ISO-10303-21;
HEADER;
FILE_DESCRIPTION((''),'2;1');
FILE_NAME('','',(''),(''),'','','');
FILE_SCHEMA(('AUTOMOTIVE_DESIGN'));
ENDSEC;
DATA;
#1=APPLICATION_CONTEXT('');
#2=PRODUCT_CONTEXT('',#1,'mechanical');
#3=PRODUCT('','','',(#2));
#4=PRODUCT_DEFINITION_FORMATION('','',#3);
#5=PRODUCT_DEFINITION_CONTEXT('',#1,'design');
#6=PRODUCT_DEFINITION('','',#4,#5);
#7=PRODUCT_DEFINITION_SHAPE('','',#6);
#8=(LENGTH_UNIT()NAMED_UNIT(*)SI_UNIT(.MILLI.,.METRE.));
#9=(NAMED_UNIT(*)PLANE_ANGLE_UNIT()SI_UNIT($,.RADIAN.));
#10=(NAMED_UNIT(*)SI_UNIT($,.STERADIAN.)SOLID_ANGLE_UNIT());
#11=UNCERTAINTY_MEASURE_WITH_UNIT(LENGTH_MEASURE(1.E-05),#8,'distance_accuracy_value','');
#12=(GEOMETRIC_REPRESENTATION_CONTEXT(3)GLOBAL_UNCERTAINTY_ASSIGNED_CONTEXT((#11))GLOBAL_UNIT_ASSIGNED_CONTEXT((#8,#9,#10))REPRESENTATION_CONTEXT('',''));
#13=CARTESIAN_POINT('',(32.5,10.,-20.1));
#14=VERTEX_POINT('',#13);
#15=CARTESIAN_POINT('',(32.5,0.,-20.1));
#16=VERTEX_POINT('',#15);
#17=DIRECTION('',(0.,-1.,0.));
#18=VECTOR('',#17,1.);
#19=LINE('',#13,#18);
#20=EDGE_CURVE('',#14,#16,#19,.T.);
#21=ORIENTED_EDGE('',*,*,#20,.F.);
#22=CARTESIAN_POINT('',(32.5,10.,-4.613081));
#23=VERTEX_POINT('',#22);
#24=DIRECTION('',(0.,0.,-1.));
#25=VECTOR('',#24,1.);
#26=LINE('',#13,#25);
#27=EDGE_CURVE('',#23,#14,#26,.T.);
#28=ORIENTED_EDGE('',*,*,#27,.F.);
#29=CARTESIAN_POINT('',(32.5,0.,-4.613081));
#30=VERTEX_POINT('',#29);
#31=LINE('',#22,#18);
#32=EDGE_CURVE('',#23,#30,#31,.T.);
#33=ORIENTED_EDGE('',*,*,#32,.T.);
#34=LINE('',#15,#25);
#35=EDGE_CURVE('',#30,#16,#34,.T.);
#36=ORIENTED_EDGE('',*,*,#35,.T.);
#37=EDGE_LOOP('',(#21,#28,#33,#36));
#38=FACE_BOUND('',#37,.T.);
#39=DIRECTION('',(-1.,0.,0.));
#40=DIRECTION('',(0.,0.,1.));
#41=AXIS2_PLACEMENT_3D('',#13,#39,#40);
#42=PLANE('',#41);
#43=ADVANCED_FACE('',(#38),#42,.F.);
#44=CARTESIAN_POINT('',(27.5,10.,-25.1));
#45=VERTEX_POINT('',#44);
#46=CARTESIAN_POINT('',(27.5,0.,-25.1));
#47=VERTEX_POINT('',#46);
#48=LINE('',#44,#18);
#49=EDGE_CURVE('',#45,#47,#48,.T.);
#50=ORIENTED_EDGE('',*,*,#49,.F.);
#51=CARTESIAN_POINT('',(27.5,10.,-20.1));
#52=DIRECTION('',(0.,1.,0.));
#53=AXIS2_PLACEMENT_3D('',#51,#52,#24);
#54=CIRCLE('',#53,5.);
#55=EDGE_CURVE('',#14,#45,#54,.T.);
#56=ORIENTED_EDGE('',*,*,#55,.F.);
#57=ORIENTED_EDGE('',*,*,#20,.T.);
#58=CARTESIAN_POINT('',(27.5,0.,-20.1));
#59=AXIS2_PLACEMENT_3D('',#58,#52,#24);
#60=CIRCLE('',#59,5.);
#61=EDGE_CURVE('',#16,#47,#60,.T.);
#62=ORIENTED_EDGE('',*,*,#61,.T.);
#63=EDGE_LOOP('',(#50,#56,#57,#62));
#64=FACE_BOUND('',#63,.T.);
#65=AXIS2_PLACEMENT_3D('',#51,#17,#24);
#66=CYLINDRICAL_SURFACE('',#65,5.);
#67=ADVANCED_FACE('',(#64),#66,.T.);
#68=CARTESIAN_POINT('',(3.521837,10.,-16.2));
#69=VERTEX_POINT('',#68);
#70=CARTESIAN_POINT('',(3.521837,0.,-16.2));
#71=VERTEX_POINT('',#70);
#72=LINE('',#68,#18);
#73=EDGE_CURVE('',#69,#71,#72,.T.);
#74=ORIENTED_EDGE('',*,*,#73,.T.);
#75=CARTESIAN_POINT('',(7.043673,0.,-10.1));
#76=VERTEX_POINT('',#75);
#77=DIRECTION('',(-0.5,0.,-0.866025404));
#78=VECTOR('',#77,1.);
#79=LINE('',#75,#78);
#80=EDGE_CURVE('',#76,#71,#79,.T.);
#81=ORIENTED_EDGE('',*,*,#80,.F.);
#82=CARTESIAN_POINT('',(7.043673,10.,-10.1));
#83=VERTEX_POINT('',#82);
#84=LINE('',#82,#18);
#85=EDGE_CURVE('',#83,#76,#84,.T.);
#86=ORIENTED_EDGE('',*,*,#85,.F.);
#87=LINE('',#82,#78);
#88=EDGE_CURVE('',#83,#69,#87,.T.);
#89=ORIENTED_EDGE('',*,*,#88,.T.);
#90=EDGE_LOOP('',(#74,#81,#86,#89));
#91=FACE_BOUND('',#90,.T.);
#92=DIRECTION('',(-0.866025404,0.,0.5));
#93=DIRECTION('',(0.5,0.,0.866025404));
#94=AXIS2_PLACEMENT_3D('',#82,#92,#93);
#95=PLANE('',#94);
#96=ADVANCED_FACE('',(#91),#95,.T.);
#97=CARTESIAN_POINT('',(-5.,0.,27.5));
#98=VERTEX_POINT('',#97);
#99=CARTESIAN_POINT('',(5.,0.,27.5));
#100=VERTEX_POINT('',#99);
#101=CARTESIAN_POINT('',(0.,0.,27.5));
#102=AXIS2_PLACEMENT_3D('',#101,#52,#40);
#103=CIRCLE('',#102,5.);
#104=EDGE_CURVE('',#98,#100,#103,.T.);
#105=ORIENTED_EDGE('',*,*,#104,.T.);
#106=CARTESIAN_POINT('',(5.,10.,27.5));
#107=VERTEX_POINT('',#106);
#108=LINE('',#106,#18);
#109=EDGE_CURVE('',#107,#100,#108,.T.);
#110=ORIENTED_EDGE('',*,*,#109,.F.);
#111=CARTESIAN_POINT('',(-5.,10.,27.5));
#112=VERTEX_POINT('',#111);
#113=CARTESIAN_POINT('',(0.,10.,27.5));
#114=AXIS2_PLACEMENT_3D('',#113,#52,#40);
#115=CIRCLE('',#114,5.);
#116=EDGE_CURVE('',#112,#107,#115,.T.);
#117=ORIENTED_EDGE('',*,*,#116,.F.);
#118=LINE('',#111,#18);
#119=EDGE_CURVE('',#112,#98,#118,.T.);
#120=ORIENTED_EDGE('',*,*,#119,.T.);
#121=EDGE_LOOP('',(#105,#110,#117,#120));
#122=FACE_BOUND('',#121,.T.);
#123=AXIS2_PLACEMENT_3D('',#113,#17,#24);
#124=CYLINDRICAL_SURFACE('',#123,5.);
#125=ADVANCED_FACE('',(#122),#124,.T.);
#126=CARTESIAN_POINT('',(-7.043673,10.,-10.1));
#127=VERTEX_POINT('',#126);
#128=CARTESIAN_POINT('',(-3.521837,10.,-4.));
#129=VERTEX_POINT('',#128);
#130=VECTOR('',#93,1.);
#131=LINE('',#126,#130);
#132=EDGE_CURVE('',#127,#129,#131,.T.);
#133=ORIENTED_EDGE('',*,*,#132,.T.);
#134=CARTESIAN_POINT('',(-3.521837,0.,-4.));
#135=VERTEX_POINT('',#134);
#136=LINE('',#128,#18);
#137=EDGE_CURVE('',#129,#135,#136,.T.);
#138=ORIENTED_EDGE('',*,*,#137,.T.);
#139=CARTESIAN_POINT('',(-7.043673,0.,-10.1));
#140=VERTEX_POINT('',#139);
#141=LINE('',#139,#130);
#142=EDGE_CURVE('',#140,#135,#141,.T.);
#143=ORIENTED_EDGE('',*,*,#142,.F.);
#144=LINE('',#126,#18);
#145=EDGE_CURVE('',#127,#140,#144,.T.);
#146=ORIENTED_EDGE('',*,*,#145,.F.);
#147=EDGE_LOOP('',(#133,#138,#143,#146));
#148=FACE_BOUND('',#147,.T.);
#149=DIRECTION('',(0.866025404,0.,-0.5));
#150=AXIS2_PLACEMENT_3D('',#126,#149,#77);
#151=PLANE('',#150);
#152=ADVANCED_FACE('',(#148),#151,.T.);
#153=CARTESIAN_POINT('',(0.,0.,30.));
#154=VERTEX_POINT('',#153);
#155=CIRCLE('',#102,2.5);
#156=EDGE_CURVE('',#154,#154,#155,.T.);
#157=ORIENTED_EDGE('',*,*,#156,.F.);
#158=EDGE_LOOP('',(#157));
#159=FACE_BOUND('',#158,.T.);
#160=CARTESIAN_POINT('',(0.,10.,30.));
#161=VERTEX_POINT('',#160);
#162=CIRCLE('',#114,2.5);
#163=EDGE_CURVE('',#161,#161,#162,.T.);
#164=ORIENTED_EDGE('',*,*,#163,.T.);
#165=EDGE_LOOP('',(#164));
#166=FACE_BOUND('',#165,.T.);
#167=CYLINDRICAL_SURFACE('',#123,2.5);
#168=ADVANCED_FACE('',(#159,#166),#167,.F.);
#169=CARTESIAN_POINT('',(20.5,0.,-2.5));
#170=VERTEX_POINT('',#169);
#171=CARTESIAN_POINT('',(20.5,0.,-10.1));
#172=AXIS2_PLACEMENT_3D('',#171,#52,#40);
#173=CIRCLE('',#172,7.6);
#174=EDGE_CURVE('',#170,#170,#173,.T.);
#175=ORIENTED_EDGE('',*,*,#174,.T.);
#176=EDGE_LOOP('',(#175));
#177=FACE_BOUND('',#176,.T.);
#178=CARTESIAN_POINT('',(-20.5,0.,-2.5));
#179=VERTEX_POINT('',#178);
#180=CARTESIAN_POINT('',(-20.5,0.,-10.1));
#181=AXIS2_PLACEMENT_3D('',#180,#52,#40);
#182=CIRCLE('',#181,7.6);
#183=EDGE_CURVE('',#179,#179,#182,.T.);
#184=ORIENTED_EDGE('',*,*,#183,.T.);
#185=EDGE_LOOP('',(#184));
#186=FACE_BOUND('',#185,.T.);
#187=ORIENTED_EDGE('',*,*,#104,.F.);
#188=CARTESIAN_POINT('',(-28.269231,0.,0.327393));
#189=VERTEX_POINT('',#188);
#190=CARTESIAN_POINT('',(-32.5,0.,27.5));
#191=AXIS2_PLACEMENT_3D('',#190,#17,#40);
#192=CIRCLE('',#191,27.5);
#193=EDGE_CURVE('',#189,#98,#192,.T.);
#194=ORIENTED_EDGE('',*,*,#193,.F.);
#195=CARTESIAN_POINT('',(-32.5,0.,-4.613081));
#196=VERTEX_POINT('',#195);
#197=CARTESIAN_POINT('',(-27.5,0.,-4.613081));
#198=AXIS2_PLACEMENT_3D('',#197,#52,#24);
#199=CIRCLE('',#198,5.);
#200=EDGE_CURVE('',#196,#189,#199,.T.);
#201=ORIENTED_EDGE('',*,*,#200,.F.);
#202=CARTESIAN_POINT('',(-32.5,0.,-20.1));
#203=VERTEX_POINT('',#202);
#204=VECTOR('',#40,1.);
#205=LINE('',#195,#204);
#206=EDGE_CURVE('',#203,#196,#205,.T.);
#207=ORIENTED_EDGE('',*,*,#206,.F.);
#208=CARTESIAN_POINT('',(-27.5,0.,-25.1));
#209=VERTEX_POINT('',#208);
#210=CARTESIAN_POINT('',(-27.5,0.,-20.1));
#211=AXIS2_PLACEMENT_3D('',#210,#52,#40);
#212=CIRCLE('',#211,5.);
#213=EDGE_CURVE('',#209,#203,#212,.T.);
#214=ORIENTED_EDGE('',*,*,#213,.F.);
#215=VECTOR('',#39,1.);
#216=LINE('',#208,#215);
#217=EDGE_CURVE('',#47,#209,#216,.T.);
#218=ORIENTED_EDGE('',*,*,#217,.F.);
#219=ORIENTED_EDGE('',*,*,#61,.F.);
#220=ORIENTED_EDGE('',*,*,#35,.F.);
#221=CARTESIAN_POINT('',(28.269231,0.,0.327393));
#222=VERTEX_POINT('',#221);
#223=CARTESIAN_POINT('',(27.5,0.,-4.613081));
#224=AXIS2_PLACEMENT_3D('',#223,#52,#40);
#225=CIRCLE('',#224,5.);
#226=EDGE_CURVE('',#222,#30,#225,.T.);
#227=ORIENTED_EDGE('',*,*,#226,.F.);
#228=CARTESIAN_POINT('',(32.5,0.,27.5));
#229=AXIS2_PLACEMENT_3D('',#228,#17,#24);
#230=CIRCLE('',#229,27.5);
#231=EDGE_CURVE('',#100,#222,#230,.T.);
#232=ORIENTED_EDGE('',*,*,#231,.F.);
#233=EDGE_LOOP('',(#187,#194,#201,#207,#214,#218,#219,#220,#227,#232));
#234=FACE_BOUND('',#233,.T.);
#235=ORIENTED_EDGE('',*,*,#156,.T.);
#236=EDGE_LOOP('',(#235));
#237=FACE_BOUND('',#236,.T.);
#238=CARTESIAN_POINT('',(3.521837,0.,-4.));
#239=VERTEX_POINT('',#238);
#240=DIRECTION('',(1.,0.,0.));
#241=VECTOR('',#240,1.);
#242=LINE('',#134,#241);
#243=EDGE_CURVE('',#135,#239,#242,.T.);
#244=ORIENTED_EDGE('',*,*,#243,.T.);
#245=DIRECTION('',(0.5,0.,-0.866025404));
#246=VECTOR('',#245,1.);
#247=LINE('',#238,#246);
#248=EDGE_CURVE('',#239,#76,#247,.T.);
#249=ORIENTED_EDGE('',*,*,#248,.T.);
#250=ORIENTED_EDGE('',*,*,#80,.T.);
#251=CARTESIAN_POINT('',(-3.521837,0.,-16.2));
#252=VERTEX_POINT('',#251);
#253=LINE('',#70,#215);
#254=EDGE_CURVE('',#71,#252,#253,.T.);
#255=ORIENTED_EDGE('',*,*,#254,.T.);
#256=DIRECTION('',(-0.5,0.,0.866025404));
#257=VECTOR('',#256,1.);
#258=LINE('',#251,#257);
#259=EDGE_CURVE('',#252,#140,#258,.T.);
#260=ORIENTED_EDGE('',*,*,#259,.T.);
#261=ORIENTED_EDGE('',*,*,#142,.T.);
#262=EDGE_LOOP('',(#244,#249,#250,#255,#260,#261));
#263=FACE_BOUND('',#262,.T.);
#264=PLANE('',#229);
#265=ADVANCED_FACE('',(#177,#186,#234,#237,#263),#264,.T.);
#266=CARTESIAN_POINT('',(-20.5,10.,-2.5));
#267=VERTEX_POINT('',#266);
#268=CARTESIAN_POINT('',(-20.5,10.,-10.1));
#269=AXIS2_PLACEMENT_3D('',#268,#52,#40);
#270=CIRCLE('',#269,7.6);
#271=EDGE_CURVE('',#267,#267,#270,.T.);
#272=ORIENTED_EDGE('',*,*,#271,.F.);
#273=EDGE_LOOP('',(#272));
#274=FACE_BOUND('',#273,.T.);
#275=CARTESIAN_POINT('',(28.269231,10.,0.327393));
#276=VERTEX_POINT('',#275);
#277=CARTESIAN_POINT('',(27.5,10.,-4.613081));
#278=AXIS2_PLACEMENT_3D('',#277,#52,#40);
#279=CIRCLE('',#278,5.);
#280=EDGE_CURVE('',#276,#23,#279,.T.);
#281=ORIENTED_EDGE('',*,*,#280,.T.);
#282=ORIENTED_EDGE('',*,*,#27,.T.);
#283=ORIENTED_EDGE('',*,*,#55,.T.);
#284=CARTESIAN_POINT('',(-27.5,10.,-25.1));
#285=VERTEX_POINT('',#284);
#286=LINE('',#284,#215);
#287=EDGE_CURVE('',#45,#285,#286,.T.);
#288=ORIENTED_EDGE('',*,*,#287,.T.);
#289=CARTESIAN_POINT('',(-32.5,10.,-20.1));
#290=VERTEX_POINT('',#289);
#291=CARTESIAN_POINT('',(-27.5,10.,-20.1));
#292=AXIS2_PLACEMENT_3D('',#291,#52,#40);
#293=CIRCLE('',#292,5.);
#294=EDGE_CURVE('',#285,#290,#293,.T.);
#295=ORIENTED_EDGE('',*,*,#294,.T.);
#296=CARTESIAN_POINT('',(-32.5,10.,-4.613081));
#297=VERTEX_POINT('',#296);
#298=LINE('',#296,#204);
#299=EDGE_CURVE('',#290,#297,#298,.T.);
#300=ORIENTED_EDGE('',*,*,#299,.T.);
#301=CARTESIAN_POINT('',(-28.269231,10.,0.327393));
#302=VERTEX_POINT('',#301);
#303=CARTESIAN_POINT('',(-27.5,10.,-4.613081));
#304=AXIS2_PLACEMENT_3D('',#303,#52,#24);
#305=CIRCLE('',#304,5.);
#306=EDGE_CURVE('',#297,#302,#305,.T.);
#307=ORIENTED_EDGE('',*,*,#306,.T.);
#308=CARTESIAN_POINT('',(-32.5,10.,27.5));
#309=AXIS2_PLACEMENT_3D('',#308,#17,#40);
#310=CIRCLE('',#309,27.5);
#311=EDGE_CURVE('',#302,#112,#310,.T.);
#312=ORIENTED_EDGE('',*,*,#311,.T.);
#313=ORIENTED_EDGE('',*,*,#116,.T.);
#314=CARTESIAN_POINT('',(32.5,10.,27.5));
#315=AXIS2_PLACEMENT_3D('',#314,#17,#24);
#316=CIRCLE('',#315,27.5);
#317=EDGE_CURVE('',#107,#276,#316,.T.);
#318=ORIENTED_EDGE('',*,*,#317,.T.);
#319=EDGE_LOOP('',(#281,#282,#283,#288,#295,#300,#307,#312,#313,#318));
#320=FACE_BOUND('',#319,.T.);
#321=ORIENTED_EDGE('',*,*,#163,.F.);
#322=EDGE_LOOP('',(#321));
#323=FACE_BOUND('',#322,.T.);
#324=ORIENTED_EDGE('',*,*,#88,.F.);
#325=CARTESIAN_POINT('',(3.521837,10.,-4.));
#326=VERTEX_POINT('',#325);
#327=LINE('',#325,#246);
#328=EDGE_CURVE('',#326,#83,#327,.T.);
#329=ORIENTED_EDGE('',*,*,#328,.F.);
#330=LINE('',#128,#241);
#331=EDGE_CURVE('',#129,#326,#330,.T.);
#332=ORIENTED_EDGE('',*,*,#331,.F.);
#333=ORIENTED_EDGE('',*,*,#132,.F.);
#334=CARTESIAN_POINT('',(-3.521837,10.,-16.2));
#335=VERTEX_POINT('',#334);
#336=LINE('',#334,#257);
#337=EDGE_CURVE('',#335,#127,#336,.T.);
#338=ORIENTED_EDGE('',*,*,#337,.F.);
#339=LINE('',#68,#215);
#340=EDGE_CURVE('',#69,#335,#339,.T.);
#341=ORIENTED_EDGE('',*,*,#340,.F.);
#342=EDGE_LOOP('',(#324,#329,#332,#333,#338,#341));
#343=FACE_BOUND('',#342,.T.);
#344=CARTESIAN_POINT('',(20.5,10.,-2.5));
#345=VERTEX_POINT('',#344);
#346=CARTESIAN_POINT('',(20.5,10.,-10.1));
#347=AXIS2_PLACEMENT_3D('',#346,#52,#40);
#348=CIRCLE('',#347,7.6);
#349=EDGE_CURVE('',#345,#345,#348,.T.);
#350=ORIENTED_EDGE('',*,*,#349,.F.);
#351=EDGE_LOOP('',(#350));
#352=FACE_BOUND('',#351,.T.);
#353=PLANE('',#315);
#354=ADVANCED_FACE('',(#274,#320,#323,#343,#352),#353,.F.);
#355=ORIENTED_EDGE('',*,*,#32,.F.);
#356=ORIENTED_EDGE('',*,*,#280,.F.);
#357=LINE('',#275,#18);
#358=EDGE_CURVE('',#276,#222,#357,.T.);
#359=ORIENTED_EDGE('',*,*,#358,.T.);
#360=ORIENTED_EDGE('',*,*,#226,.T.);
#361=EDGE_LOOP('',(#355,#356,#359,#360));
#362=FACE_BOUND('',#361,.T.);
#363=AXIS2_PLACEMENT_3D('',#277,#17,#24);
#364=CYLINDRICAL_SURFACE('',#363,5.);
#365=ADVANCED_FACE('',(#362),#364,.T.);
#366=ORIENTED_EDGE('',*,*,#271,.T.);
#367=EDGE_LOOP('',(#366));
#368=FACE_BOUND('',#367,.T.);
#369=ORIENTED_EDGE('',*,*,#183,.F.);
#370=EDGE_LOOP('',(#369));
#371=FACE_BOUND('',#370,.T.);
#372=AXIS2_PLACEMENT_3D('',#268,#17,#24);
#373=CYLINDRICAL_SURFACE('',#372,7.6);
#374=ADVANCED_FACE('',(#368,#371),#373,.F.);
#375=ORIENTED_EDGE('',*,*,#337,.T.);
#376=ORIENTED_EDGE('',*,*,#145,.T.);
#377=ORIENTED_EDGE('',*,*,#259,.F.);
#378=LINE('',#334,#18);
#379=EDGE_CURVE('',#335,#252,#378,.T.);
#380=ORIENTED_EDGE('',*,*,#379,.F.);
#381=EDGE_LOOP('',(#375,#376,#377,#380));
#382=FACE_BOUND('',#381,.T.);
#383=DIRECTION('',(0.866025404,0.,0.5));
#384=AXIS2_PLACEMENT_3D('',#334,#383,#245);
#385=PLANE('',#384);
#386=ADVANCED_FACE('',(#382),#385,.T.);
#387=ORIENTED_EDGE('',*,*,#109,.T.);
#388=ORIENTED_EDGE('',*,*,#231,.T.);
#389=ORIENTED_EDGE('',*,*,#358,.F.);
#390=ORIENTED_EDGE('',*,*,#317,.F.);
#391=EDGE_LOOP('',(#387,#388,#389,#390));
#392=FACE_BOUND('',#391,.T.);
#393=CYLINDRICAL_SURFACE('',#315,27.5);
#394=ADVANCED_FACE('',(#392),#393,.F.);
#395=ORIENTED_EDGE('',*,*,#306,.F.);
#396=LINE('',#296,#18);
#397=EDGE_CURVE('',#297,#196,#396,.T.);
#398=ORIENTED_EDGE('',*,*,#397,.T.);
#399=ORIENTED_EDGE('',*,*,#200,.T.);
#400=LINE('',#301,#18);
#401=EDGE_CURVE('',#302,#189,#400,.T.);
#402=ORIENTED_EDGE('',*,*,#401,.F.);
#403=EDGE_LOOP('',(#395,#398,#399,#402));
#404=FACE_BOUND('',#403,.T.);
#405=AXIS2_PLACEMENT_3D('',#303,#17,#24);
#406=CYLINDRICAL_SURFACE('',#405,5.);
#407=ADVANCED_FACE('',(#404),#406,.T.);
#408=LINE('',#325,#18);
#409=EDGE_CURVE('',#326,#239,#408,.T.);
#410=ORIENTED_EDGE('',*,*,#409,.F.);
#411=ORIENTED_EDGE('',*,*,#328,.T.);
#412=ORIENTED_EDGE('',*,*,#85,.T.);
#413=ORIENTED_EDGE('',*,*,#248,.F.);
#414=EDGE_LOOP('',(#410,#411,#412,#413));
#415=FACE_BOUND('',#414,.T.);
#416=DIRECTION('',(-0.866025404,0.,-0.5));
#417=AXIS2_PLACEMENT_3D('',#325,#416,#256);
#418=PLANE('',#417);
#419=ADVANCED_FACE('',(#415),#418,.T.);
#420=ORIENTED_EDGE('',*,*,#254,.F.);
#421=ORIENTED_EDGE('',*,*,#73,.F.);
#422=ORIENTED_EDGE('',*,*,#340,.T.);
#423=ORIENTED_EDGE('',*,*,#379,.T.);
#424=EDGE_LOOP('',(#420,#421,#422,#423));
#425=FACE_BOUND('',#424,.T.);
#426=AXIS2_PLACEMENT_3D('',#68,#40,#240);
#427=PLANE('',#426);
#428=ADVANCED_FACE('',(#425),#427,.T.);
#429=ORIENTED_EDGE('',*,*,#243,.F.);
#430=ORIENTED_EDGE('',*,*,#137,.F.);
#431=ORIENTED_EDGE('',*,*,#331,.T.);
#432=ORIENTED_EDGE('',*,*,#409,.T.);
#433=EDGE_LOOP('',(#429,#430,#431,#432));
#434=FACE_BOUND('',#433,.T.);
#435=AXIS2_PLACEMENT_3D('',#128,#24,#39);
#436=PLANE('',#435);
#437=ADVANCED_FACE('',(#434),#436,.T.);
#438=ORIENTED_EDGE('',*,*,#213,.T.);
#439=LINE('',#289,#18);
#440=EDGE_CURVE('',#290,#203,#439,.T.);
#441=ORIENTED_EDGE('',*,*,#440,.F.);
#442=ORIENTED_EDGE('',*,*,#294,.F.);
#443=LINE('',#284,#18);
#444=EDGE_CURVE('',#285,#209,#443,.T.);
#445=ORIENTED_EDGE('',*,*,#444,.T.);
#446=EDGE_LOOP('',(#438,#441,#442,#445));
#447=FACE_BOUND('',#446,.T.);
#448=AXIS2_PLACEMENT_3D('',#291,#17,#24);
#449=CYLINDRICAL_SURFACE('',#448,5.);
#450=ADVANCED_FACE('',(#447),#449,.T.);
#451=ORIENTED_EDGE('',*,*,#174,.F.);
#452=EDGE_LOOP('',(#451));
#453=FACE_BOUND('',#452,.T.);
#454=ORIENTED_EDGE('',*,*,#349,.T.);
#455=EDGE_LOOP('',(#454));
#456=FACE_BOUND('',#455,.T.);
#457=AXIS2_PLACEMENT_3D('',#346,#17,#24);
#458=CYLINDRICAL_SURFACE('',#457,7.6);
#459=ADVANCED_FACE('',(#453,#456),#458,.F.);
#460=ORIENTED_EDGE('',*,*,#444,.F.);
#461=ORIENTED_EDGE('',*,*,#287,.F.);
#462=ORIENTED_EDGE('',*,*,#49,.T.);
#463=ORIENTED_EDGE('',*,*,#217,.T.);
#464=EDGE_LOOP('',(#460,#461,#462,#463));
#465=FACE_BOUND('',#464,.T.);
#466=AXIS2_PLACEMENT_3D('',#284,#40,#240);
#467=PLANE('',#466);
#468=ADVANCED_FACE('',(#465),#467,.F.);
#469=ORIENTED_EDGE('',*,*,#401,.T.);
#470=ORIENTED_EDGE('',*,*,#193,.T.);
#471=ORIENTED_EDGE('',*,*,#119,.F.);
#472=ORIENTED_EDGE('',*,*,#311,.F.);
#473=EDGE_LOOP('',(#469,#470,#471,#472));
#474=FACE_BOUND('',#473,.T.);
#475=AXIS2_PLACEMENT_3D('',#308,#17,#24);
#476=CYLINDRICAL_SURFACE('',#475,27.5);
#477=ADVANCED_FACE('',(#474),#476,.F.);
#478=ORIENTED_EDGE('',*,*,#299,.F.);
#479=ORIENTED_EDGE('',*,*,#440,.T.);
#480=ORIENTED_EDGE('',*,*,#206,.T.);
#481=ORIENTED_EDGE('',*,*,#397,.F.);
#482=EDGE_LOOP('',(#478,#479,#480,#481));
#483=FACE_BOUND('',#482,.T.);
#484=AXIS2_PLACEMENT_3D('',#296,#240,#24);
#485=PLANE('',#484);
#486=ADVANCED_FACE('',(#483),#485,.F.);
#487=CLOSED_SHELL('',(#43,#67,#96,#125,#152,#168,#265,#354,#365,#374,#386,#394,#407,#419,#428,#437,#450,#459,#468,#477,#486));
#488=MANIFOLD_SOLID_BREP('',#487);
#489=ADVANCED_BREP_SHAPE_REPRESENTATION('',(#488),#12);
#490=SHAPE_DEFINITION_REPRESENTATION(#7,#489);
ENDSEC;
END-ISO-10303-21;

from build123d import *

# Parameters (mm, degrees)
SKETCH1_R           = 7.6
SKETCH1_R_2         = 2.5
BOSS_EXTRUDE1_DEPTH = 10


with BuildPart() as part:
    # Sketch1 → Boss-Extrude1 (new body)
    with BuildSketch(Plane(origin=(0, 0, 0), x_dir=(1, 0, 0), z_dir=(0, 1, 0))):
        with BuildLine():
            Line((-27.5, 25.1), (27.5, 25.1))
            ThreePointArc((27.5, 25.1), (31.035533906, 23.635533906), (32.5, 20.1))
            Line((32.5, 20.1), (32.5, 4.613081447))
            ThreePointArc((32.5, 4.613081447), (31.297772627, 1.360863269), (28.269230769, -0.327392622))
            ThreePointArc((28.269230769, -0.327392622), (11.612250554, -9.612800021), (5, -27.5))
            ThreePointArc((5, -27.5), (0, -32.5), (-5, -27.5))
            ThreePointArc((-5, -27.5), (-11.612250554, -9.612800021), (-28.269230769, -0.327392622))
            ThreePointArc((-28.269230769, -0.327392622), (-31.297772627, 1.360863269), (-32.5, 4.613081447))
            Line((-32.5, 4.613081447), (-32.5, 20.1))
            ThreePointArc((-32.5, 20.1), (-31.035533906, 23.635533906), (-27.5, 25.1))
        make_face()
        with Locations(Location((-20.5, 10.1, 0), (0, 0, 270))):  # turned: the seam where the file's is
            Circle(SKETCH1_R, mode=Mode.SUBTRACT)
        with Locations(Location((20.5, 10.1, 0), (0, 0, 270))):  # turned: the seam where the file's is
            Circle(SKETCH1_R, mode=Mode.SUBTRACT)
        with Locations(Location((0, -27.5, 0), (0, 0, 270))):  # turned: the seam where the file's is
            Circle(SKETCH1_R_2, mode=Mode.SUBTRACT)
        Polygon((7.043673284, 10.1), (3.521836642, 16.2), (-3.521836642, 16.2), (-7.043673284, 10.1), (-3.521836642, 4), (3.521836642, 4), align=None, mode=Mode.SUBTRACT)
    extrude(amount=BOSS_EXTRUDE1_DEPTH)


solid = part.part
